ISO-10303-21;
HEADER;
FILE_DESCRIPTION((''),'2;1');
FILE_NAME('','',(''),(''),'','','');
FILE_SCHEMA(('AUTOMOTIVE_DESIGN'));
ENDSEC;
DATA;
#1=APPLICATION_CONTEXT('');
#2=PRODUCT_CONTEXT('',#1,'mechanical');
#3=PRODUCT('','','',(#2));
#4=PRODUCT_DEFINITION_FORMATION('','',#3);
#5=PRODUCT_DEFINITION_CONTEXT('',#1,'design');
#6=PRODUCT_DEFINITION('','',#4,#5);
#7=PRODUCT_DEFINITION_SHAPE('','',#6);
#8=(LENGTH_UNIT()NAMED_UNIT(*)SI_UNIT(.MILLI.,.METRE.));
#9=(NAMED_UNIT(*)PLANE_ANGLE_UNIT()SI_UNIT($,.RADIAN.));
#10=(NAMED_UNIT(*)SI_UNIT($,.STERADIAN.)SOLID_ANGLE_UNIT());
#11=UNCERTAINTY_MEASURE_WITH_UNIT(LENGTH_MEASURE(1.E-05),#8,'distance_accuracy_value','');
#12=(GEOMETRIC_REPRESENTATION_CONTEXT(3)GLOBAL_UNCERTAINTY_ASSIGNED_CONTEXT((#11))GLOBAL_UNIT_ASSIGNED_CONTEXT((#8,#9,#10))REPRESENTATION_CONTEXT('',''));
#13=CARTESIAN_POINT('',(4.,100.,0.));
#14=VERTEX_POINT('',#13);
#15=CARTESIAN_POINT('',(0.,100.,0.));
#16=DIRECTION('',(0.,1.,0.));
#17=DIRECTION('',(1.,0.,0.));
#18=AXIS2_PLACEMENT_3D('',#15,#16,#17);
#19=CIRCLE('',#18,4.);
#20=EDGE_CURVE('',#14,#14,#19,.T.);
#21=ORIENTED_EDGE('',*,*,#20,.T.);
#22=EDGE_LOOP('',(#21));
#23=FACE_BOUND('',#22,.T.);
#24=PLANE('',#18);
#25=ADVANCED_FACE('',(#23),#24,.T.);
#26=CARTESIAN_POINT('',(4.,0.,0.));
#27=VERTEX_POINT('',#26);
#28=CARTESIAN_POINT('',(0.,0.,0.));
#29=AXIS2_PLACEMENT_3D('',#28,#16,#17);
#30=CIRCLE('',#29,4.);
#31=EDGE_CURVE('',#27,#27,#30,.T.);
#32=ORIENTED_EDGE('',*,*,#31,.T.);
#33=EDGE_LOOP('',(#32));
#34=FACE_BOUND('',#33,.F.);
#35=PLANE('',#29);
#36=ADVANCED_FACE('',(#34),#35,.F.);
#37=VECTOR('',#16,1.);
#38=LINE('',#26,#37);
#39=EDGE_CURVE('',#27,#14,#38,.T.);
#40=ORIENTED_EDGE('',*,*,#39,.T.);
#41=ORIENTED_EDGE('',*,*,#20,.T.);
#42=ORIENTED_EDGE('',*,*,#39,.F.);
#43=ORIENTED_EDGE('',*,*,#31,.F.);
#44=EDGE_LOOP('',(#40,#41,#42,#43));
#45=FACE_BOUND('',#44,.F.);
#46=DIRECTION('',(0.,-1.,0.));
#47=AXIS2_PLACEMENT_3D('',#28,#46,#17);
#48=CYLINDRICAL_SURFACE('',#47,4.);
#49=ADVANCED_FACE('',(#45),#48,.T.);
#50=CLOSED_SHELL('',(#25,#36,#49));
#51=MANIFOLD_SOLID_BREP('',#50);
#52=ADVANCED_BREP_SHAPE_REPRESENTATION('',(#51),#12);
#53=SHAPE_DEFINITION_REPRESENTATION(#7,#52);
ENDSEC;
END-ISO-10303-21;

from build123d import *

# Parameters (mm, degrees)
CROQUIS1_R              = 4
SALIENTE_EXTRUIR1_DEPTH = 100


with BuildPart() as part:
    # Croquis1 → Saliente-Extruir1 (new body)
    with BuildSketch(Plane(origin=(0, 0, 0), x_dir=(1, 0, 0), z_dir=(0, 1, 0))):
        Circle(CROQUIS1_R)
    extrude(amount=SALIENTE_EXTRUIR1_DEPTH)


solid = part.part
